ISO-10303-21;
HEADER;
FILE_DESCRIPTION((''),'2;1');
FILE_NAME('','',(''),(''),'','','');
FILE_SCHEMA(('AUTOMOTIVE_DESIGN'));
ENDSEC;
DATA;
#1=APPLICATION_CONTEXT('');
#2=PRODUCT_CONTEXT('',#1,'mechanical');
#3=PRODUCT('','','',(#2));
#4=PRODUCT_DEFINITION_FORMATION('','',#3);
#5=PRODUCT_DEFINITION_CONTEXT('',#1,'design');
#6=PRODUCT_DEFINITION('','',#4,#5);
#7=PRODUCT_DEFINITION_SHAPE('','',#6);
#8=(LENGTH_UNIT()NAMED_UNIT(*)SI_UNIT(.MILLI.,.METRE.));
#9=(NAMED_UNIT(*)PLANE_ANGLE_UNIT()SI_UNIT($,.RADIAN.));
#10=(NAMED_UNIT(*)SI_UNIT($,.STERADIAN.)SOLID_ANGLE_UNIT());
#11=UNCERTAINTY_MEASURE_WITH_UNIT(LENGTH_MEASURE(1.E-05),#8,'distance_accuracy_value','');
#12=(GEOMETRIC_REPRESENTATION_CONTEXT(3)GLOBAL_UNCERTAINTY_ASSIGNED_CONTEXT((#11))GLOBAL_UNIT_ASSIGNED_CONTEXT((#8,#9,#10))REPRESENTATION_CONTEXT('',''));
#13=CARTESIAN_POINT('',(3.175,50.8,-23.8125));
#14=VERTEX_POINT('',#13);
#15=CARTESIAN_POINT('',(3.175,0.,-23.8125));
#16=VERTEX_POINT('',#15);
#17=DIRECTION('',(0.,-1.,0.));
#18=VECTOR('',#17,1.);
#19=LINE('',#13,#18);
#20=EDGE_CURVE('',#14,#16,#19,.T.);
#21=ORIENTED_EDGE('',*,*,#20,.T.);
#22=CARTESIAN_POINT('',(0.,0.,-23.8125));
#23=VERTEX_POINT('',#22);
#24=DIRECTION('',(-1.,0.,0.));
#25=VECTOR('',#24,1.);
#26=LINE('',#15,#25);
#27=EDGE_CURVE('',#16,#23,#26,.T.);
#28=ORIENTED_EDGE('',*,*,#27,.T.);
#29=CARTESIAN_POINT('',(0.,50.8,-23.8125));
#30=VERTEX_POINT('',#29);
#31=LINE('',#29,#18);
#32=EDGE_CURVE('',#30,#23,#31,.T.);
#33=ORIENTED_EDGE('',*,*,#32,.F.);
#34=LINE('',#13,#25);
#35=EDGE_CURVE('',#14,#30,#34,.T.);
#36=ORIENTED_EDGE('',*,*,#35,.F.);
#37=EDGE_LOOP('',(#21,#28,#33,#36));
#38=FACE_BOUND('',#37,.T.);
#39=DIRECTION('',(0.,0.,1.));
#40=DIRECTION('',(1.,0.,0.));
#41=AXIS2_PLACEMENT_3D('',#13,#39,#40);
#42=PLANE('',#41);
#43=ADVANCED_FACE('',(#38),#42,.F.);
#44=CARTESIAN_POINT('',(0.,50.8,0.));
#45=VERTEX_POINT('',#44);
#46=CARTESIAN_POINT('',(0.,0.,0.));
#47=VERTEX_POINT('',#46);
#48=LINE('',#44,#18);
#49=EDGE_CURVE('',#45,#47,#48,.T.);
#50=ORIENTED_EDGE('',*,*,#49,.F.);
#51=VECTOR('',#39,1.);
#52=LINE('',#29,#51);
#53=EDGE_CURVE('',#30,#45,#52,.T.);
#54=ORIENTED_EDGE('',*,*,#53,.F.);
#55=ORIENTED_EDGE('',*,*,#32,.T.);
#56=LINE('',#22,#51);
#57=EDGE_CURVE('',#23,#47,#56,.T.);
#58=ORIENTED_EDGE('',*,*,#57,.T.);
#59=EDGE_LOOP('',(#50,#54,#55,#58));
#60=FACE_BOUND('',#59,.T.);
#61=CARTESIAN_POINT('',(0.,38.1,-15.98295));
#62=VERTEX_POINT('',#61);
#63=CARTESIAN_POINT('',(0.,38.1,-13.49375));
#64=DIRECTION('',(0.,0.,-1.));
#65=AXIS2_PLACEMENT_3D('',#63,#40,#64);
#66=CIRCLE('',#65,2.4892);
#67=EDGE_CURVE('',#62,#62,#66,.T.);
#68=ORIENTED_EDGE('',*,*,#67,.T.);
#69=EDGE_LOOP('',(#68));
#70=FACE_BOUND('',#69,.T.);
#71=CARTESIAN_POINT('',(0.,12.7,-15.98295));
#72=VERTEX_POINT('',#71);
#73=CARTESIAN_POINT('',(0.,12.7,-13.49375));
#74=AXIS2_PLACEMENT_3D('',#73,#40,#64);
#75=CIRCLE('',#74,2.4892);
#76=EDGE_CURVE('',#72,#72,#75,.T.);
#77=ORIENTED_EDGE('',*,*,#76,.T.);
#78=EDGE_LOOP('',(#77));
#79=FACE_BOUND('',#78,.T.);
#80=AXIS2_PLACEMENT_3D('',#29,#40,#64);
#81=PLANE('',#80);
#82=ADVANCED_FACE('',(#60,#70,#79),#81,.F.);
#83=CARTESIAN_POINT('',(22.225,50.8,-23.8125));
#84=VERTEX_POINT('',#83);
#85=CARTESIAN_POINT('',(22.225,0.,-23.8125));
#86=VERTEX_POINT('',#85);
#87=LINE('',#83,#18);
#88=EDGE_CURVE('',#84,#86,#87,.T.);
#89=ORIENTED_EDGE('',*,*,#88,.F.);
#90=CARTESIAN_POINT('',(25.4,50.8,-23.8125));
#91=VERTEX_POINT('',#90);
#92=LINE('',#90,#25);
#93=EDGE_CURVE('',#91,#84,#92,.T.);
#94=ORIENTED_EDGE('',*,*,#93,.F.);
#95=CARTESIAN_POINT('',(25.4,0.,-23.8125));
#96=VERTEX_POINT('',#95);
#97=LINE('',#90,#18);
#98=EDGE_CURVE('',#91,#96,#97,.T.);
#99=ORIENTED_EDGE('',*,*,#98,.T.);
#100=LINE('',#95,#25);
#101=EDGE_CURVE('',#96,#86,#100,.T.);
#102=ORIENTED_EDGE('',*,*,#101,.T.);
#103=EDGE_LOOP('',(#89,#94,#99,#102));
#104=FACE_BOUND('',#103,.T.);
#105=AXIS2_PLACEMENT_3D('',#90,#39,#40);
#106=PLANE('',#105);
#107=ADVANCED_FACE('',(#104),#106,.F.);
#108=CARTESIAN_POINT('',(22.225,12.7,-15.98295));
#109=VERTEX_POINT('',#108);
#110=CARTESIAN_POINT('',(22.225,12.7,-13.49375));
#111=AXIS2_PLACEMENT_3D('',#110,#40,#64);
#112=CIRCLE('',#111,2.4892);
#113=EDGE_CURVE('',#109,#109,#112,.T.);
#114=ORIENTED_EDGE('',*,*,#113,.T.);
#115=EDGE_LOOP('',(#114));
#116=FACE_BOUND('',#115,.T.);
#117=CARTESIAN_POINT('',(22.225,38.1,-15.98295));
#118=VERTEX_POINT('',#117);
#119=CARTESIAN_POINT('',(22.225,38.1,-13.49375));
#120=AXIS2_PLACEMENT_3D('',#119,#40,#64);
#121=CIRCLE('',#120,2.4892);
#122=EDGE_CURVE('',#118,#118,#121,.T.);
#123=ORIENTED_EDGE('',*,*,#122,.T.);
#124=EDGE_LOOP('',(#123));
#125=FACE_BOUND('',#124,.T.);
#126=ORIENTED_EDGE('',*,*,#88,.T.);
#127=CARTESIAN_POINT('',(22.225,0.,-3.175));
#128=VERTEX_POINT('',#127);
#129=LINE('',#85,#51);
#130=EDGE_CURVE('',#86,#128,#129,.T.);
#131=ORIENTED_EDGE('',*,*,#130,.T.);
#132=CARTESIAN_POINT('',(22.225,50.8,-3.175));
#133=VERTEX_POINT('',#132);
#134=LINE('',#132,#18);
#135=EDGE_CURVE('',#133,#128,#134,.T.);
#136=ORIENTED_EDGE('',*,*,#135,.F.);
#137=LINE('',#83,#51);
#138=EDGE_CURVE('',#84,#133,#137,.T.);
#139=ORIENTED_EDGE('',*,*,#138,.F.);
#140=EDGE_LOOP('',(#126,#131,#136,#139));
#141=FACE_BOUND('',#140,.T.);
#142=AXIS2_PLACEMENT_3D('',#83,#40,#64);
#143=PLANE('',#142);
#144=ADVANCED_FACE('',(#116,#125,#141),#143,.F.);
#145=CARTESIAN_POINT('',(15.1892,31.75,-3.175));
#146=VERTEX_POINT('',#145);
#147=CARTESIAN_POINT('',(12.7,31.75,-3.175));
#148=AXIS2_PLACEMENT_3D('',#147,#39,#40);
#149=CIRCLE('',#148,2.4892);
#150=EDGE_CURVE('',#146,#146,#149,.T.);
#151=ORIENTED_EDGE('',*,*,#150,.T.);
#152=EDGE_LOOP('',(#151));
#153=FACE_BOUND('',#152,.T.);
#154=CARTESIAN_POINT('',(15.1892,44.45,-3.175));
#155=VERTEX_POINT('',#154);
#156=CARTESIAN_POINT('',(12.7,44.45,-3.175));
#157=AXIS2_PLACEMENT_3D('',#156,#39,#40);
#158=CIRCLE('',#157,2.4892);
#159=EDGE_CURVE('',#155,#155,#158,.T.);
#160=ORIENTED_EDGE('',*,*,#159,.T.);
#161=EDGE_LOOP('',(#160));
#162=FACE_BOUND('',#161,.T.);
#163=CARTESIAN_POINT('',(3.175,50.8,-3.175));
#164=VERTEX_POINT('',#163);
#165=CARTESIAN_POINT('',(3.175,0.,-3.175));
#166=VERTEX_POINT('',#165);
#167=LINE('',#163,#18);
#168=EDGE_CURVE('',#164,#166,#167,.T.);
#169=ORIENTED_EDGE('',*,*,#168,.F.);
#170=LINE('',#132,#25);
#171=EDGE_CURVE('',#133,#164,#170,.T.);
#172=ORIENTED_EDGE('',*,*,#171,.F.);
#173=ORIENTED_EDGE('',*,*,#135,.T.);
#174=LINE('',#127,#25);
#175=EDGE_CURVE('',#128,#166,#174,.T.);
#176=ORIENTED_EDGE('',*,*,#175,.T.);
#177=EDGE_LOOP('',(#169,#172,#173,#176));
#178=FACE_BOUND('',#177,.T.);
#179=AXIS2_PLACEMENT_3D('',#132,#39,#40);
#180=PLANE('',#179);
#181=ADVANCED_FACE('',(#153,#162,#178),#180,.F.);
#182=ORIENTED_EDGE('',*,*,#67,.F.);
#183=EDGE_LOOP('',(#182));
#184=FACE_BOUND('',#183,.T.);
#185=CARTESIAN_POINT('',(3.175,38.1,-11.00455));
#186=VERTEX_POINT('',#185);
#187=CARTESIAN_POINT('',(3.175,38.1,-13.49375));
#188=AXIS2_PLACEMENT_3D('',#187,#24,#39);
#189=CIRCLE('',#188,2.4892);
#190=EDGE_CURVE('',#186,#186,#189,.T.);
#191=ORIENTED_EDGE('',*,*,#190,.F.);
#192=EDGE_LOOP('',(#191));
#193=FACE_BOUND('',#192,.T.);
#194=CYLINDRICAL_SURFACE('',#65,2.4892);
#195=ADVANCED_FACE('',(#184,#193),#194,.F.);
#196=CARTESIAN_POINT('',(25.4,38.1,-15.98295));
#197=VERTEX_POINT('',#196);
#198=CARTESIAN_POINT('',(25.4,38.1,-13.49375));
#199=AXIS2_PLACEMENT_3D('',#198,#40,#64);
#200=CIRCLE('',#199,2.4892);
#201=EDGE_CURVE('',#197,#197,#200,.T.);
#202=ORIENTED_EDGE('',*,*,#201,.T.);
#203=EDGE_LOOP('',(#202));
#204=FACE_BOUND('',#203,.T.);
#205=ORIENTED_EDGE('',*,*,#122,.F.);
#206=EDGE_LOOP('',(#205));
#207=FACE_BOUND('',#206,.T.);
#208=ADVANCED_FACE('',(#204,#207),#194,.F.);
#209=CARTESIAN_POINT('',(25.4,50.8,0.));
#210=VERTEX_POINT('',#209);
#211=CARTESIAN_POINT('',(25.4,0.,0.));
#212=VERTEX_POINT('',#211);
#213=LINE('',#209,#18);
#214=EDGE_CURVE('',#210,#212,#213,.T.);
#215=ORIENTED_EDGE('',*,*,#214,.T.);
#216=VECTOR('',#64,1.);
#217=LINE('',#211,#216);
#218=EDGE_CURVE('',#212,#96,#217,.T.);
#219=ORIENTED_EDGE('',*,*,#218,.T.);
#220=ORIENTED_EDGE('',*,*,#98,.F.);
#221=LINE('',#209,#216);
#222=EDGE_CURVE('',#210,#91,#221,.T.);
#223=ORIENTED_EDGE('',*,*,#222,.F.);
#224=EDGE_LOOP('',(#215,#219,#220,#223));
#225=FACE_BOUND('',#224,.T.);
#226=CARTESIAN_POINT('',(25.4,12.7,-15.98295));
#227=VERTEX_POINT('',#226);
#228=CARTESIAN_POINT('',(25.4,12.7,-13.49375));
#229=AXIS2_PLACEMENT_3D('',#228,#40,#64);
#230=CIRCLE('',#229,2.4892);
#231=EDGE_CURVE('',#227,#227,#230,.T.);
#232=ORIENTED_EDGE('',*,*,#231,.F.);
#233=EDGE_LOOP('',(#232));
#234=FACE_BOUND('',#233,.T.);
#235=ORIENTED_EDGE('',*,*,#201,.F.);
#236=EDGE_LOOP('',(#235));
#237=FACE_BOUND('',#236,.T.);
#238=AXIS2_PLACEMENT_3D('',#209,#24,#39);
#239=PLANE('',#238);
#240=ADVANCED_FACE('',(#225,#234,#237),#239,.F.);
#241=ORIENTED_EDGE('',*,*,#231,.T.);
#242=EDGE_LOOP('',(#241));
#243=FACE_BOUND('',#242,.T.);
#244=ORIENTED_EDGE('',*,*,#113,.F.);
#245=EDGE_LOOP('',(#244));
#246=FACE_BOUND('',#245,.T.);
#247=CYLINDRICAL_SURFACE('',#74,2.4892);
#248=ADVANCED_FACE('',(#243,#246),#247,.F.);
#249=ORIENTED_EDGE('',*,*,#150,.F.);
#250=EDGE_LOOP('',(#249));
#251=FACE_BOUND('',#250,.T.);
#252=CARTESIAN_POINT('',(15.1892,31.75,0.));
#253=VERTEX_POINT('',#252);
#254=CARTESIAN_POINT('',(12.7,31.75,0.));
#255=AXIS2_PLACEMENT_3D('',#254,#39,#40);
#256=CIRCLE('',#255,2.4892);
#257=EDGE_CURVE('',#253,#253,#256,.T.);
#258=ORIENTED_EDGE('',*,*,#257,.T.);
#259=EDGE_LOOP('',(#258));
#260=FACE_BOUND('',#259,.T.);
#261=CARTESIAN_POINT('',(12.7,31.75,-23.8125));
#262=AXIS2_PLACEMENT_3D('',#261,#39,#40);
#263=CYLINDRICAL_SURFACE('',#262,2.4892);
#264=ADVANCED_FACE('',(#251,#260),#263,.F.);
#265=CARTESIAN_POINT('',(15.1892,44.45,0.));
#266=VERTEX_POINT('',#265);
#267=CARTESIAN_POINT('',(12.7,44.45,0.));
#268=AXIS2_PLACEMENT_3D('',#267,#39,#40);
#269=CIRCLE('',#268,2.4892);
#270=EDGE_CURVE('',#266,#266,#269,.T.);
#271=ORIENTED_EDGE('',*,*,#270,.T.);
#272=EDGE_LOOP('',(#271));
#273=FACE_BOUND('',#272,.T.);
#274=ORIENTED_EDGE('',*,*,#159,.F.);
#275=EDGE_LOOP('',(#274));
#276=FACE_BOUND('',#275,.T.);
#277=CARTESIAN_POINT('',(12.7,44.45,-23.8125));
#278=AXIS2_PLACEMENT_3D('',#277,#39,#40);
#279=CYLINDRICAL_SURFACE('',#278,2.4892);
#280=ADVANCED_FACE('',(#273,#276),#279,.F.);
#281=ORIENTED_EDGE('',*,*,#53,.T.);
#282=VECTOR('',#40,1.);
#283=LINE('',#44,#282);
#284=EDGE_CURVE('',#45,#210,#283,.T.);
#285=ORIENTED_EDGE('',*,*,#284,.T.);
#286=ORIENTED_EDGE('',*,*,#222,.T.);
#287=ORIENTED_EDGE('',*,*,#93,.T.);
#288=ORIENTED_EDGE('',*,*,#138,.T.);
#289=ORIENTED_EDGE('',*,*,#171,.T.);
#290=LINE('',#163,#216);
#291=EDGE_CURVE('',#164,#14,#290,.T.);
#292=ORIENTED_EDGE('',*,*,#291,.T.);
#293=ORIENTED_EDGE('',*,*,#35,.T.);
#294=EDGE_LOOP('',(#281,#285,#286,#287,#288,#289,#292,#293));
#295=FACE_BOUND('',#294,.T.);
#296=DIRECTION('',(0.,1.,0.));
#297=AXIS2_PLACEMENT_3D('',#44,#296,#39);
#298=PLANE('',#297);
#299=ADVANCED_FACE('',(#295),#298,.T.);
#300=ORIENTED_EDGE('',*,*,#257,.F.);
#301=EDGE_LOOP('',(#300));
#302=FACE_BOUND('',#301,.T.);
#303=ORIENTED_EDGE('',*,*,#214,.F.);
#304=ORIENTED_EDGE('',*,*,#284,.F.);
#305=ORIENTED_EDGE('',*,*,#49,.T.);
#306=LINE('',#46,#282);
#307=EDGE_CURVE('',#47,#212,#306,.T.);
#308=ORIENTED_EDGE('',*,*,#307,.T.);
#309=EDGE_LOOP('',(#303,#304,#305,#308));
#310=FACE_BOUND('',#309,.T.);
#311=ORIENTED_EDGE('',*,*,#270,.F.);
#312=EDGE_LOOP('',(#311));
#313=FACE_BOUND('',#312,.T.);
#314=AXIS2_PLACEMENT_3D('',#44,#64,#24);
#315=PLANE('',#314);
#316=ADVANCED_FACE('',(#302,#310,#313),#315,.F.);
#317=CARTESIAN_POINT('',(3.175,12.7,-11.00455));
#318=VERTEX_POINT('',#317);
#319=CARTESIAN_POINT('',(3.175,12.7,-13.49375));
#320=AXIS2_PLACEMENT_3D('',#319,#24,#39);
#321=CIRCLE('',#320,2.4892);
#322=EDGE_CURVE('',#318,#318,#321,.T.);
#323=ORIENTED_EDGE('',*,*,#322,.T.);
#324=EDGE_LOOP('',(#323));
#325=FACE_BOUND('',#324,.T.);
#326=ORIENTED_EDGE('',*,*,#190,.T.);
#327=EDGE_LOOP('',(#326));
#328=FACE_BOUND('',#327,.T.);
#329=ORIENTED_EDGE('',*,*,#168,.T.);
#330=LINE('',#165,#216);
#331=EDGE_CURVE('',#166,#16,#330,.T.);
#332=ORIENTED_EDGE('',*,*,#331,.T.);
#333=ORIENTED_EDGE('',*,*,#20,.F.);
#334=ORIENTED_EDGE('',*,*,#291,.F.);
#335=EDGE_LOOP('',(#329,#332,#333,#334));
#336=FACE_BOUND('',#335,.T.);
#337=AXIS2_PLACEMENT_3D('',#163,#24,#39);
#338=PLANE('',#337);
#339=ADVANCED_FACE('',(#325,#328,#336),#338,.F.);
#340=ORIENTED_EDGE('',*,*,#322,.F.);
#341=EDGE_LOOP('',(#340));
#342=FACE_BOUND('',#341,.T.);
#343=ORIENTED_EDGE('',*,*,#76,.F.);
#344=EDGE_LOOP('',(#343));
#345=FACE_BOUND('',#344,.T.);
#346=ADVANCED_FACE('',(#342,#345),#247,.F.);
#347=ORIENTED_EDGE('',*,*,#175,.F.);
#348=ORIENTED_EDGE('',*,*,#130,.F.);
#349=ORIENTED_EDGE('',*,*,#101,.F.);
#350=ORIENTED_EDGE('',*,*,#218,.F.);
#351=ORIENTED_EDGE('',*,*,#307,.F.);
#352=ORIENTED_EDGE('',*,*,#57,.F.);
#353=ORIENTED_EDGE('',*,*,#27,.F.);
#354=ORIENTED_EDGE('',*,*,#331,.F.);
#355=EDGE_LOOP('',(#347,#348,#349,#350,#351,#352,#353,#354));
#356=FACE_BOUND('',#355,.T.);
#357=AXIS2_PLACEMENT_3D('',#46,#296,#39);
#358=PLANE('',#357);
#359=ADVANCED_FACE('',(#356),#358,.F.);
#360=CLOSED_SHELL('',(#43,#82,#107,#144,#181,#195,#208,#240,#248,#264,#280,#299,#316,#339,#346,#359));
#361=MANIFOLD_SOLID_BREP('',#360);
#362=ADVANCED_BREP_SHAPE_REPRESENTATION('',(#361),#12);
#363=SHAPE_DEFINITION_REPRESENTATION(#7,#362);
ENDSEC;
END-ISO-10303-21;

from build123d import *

# Parameters (mm, degrees)
BOSS_EXTRUDE1_DEPTH     = 50.8
SKETCH6_R               = 2.4892
CUT_EXTRUDE2_DEPTH      = 23.225
CUT_EXTRUDE2_DEPTH_BACK = 4.175
SKETCH5_R               = 2.4892
CUT_EXTRUDE1_DEPTH      = 24.8125


with BuildPart() as part:
    # Sketch1 → Boss-Extrude1 (new body)
    with BuildSketch(Plane(origin=(0, 0, 0), x_dir=(1, 0, 0), z_dir=(0, 1, 0))):
        Polygon((0, 0), (25.4, 0), (25.4, 23.8125), (22.225, 23.8125), (22.225, 3.175), (3.175, 3.175), (3.175, 23.8125), (0, 23.8125), align=None)
    extrude(amount=BOSS_EXTRUDE1_DEPTH)

    # Sketch6 → Cut-Extrude2 (cut, two sides)
    with BuildSketch(Plane(origin=(3.175, 0, 0), x_dir=(0, 0, -1), z_dir=(1, 0, 0))) as cut_extrude2_sk:
        with Locations((13.49375, 12.7)):
            Circle(SKETCH6_R)
        with Locations((13.49375, 38.1)):
            Circle(SKETCH6_R)
    extrude(amount=CUT_EXTRUDE2_DEPTH, mode=Mode.SUBTRACT)
    extrude(cut_extrude2_sk.sketch, amount=-CUT_EXTRUDE2_DEPTH_BACK, mode=Mode.SUBTRACT)

    # Sketch5 → Cut-Extrude1 (cut, through all)
    with BuildSketch(Plane.XY):
        with Locations((12.7, 44.45)):
            Circle(SKETCH5_R)
        with Locations((12.7, 31.75)):
            Circle(SKETCH5_R)
    extrude(amount=-CUT_EXTRUDE1_DEPTH, mode=Mode.SUBTRACT)


solid = part.part
